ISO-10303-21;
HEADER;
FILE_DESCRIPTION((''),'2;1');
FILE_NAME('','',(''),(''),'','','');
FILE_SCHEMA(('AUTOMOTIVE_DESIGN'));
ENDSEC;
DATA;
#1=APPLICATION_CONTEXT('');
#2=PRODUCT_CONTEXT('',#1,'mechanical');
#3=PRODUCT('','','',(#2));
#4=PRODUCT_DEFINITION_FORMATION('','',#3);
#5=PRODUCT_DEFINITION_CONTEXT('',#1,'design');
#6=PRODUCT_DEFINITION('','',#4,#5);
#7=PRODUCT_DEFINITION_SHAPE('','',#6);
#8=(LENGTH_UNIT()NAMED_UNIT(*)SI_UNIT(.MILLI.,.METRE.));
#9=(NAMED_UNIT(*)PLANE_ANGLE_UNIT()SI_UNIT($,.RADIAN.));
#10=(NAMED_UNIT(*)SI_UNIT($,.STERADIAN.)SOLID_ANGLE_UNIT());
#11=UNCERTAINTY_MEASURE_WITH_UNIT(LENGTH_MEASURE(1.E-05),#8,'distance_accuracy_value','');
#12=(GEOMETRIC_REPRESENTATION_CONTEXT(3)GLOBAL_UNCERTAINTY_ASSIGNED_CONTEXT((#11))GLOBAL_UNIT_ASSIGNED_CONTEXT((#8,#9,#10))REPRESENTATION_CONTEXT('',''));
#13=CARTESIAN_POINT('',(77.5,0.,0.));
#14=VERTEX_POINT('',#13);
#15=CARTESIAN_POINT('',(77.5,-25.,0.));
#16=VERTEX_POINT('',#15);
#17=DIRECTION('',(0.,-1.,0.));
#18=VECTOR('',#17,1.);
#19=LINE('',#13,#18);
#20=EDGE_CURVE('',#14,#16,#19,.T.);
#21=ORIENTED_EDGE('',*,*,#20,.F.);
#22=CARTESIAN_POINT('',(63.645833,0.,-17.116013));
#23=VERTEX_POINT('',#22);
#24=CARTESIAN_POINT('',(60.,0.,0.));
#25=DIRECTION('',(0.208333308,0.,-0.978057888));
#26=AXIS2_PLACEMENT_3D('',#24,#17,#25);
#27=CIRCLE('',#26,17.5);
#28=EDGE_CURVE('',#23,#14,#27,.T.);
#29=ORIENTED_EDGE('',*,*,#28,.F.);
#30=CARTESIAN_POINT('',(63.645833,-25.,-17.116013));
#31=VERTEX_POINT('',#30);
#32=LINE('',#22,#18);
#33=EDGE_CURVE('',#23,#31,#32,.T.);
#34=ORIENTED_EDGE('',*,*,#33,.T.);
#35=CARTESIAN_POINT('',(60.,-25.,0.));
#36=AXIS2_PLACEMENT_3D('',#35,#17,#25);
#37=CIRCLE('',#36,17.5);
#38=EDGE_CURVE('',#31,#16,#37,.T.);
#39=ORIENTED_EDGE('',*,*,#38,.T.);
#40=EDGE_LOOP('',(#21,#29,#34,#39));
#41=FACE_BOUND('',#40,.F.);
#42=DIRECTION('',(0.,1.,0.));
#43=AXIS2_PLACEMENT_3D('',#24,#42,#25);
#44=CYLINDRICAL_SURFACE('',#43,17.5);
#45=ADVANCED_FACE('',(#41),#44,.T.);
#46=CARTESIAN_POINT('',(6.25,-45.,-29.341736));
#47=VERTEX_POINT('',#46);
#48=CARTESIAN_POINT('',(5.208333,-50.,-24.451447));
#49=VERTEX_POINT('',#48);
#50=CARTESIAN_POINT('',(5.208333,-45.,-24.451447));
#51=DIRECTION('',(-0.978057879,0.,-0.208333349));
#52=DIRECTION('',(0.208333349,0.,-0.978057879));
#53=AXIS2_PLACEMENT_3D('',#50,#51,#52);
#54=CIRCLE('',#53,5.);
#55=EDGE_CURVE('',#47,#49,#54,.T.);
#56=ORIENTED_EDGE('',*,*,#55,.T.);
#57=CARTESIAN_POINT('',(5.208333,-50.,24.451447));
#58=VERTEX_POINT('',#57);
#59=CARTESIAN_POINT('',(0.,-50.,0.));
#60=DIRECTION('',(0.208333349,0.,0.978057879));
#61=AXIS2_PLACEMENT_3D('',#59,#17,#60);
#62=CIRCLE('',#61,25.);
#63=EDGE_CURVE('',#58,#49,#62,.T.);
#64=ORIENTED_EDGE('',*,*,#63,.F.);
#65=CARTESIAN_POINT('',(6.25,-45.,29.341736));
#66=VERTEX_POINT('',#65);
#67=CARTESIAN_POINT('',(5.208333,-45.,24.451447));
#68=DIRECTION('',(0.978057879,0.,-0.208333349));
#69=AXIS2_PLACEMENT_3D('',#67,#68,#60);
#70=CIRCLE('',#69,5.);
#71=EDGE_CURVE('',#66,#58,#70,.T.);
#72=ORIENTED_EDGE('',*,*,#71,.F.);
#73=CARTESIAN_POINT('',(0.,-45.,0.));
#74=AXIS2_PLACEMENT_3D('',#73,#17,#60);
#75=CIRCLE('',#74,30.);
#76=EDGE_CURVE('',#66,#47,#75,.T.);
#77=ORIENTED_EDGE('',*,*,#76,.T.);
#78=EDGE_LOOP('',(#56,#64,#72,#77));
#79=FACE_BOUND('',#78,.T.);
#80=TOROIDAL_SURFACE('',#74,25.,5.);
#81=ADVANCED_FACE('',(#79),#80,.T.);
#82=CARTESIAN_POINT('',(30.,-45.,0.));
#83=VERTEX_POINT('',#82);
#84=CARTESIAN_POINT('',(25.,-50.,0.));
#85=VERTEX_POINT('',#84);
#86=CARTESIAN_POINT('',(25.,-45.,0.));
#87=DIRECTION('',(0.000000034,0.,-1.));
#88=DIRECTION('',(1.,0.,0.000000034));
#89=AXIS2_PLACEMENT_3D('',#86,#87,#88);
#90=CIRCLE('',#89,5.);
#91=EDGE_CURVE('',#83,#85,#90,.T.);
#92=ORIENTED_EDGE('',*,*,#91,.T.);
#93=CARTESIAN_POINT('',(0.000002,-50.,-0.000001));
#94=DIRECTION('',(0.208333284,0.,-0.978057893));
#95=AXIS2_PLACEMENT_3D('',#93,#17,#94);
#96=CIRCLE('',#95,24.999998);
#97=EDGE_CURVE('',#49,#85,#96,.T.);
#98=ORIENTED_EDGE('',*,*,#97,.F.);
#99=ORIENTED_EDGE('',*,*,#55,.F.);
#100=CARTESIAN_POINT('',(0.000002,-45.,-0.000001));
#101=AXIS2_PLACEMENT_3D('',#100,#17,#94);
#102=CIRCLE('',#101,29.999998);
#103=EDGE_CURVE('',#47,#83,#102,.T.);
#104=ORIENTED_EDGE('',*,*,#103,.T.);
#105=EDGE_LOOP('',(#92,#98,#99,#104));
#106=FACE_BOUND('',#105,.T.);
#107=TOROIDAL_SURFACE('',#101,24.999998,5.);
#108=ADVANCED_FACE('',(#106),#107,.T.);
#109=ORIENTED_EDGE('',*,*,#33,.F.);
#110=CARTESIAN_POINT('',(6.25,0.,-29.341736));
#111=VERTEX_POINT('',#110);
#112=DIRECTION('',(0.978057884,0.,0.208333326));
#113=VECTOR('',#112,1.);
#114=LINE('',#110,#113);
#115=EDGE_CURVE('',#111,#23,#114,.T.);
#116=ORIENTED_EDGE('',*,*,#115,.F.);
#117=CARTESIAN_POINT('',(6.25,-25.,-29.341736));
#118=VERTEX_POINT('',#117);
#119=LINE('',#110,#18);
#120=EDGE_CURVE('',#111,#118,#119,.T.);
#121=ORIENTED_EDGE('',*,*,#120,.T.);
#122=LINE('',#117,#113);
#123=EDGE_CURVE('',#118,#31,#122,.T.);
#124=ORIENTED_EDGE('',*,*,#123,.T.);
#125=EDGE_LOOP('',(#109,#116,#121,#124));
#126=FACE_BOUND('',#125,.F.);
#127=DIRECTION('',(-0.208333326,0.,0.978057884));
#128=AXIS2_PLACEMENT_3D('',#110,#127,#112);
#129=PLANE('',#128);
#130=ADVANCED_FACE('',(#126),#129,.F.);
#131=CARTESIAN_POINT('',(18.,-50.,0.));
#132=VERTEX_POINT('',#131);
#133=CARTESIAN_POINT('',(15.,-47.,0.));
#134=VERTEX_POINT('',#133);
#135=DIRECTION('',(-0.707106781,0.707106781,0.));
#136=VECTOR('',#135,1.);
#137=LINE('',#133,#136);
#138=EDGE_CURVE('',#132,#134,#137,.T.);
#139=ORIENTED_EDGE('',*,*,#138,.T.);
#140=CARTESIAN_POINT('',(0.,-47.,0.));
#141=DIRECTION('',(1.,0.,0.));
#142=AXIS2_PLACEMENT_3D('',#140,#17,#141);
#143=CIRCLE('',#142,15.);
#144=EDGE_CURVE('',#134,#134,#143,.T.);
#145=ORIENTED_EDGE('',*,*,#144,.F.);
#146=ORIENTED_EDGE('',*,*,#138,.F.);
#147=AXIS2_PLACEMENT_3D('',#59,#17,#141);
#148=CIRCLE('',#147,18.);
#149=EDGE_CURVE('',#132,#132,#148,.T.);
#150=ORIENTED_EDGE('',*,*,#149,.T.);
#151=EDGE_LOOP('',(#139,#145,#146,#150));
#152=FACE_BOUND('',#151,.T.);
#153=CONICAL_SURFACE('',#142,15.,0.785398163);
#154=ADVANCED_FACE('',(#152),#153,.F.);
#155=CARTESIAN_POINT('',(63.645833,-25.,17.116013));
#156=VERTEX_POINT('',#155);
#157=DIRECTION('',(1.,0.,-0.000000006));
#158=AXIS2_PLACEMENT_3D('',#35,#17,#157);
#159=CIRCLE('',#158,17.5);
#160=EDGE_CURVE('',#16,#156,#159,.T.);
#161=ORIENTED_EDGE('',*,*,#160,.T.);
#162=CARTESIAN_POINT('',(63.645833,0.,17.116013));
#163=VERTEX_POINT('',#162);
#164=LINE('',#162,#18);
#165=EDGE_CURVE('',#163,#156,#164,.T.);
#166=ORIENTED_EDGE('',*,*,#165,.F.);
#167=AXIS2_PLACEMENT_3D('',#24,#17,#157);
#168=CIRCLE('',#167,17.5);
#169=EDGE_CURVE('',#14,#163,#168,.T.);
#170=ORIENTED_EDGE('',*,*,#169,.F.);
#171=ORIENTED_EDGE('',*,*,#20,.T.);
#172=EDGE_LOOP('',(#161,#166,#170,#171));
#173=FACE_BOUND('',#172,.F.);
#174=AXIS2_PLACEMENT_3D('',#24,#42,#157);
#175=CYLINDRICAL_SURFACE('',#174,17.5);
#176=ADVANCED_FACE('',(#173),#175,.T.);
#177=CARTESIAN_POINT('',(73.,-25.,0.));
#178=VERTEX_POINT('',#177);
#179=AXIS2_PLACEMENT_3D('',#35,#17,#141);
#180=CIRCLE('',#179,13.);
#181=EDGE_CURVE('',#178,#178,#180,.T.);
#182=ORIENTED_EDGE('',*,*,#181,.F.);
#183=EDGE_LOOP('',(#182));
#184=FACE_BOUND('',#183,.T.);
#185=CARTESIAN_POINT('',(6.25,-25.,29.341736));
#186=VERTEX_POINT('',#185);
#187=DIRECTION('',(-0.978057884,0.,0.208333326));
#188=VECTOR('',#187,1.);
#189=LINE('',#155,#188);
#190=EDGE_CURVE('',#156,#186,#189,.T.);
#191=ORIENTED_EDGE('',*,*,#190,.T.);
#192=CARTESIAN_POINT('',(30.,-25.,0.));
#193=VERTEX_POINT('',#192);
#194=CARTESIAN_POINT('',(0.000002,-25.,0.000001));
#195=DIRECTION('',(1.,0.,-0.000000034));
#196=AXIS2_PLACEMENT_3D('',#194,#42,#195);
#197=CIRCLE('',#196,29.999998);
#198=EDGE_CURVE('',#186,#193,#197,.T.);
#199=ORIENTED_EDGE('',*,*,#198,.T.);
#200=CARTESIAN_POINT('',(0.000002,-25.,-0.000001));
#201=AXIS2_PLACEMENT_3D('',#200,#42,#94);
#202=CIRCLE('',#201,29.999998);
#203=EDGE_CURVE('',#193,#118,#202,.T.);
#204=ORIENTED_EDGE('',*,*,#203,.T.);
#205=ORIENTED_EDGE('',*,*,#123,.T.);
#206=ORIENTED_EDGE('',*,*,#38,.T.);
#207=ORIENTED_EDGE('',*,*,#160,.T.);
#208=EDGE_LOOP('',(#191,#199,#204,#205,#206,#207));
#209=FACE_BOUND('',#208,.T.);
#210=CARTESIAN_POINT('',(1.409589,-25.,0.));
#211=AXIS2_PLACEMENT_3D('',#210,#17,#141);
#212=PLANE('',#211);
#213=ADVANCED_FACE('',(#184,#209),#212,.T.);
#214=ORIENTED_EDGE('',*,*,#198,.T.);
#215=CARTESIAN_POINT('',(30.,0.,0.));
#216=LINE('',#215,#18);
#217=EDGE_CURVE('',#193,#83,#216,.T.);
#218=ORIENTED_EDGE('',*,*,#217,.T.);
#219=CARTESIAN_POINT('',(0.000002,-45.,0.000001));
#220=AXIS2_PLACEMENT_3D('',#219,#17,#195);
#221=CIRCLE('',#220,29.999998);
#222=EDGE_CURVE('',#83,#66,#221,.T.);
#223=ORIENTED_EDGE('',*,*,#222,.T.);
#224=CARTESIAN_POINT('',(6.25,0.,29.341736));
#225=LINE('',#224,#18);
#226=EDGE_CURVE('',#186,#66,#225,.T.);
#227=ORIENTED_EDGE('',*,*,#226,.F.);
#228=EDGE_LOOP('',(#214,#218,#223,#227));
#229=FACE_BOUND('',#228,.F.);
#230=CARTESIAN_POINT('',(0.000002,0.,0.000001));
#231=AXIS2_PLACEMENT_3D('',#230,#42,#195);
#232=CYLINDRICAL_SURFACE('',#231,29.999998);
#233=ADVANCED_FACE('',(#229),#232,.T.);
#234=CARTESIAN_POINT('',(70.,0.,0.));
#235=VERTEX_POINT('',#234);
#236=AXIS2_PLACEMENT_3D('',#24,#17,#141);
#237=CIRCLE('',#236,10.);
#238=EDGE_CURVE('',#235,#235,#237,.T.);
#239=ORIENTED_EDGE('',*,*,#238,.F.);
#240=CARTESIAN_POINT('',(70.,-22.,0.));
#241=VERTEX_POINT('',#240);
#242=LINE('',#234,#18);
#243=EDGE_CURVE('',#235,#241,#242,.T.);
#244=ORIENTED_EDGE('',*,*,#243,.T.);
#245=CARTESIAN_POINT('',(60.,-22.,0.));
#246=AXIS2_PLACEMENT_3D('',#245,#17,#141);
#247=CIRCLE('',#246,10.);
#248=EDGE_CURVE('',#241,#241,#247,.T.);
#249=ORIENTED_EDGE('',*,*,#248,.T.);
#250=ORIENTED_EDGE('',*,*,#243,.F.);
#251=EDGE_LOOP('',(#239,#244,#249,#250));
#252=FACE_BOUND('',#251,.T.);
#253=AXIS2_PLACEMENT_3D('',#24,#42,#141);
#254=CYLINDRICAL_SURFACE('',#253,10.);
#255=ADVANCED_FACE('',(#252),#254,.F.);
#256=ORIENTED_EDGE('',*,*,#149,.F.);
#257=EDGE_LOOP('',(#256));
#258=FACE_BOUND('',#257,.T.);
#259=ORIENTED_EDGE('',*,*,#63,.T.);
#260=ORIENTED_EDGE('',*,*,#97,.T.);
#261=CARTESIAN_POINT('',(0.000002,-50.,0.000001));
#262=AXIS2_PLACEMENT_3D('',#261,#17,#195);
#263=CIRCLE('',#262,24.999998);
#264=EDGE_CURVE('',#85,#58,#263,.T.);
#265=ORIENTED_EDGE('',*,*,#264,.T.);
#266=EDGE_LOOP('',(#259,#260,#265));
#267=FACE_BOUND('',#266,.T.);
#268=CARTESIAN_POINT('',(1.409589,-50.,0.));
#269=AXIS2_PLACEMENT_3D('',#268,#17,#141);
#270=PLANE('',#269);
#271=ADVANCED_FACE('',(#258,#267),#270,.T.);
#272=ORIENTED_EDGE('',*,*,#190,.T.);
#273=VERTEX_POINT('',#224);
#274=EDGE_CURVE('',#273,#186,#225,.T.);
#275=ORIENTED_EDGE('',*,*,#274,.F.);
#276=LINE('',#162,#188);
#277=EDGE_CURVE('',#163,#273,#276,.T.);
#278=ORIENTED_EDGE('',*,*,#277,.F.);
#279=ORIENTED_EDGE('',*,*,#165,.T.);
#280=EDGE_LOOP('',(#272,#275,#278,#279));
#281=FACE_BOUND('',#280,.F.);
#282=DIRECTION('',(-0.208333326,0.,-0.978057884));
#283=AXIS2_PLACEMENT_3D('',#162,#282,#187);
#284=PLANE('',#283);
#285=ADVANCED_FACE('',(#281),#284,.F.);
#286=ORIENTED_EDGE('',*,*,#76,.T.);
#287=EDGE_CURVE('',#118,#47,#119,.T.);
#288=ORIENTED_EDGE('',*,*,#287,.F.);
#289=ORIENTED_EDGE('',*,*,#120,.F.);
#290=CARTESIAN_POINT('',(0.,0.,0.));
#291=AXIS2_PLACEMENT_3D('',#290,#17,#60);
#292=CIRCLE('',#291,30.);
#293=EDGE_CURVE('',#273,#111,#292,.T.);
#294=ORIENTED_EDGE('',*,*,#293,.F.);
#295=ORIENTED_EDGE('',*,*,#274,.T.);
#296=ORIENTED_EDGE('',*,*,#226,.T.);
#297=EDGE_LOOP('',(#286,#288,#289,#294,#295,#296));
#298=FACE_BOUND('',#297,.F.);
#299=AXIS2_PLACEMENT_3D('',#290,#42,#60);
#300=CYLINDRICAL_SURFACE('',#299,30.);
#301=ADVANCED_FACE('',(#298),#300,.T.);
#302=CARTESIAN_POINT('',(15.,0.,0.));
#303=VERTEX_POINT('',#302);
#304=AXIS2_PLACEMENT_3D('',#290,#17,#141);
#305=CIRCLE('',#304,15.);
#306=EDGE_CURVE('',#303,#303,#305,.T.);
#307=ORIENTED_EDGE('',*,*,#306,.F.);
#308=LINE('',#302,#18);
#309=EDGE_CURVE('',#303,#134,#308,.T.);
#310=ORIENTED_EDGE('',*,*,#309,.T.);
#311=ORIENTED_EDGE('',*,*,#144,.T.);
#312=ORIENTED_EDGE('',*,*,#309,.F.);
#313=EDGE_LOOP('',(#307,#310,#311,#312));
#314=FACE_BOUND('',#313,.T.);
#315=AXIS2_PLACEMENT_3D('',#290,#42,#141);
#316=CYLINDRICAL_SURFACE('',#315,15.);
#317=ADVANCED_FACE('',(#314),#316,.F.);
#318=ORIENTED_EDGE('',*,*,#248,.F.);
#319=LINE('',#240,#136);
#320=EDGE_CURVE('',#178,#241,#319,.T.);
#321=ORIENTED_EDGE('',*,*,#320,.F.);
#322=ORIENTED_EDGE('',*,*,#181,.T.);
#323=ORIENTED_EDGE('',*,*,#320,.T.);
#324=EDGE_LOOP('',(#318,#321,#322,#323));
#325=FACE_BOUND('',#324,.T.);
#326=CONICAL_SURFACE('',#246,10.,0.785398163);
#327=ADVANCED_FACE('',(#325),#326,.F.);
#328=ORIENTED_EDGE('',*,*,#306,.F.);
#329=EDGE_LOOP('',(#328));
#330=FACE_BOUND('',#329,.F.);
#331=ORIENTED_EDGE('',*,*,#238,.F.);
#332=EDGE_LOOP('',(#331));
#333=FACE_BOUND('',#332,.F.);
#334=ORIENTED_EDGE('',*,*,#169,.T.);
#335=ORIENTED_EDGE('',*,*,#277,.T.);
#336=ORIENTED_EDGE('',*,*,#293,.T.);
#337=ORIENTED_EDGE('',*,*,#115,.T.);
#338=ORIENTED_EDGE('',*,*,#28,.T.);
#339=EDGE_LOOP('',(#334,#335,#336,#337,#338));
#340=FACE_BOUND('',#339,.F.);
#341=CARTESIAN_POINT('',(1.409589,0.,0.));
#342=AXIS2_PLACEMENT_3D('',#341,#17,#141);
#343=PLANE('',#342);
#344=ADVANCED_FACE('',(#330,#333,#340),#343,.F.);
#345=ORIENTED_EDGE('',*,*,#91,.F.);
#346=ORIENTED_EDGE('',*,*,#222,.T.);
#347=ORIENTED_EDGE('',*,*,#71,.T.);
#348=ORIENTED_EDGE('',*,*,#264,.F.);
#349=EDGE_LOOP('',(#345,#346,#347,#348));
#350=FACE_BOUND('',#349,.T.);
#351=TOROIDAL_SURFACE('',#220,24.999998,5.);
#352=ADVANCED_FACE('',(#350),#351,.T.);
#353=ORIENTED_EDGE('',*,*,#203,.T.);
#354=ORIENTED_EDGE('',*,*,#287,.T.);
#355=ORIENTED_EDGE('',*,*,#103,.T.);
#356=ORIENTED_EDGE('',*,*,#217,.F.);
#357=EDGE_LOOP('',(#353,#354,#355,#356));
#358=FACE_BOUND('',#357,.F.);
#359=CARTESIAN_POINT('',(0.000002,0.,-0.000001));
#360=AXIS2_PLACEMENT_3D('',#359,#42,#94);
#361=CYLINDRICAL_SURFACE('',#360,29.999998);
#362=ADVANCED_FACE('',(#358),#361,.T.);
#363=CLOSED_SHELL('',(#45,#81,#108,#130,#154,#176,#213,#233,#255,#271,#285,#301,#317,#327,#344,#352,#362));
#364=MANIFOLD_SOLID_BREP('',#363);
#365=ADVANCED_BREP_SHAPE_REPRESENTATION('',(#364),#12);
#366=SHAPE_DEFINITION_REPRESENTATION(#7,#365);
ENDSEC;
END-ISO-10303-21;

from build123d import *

# Parameters (mm, degrees)
F0_R     = 15
F0_R_2   = 10
F1_DEPTH = 25
F2_DEPTH = 50
F3_R     = 5
F4_SIZE  = 3


with BuildPart() as f1:
    # F0 (on Front) → F1 (new body)
    with BuildSketch(Plane.XZ):
        with BuildLine():
            ThreePointArc((6.25, -29.341736), (23.318448, -18.874586), (30, 0))
            ThreePointArc((30, 0), (23.318448, 18.874586), (6.25, 29.341736))
            ThreePointArc((6.25, 29.341736), (-30, 0), (6.25, -29.341736))
        make_face()
        Circle(F0_R, mode=Mode.SUBTRACT)
        with BuildLine():
            ThreePointArc((6.25, 29.341736), (23.318448, 18.874586), (30, 0))
            ThreePointArc((30, 0), (23.318448, -18.874586), (6.25, -29.341736))
            Line((6.25, -29.341736), (63.645833, -17.116013))
            ThreePointArc((63.645833, -17.116013), (42.5, 0), (63.645833, 17.116013))
            Line((63.645833, 17.116013), (6.25, 29.341736))
        make_face()
        with BuildLine():
            ThreePointArc((77.5, 0), (73.602428, 11.010175), (63.645833, 17.116013))
            ThreePointArc((63.645833, 17.116013), (42.5, 0), (63.645833, -17.116013))
            ThreePointArc((63.645833, -17.116013), (73.602428, -11.010175), (77.5, 0))
        make_face()
        with Locations((60, 0)):
            Circle(F0_R_2, mode=Mode.SUBTRACT)
    extrude(amount=F1_DEPTH)

    # F0 (on Front) → F2 (join)
    with BuildSketch(Plane.XZ):
        with BuildLine():
            ThreePointArc((6.25, -29.341736), (23.318448, -18.874586), (30, 0))
            ThreePointArc((30, 0), (23.318448, 18.874586), (6.25, 29.341736))
            ThreePointArc((6.25, 29.341736), (-30, 0), (6.25, -29.341736))
        make_face()
        Circle(F0_R, mode=Mode.SUBTRACT)
    extrude(amount=F2_DEPTH)

    # F3
    f3_edges = [f1.edges().sort_by_distance(p)[0] for p in [
        (-6.25, -50, 29.341736),
    ]]
    fillet(f3_edges, radius=F3_R)

    # F4
    f4_edges = [f1.edges().sort_by_distance(p)[0] for p in [
        (-15, -50, 0),
        (50, -25, 0),
    ]]
    chamfer(f4_edges, length=F4_SIZE)


solid = f1.part
